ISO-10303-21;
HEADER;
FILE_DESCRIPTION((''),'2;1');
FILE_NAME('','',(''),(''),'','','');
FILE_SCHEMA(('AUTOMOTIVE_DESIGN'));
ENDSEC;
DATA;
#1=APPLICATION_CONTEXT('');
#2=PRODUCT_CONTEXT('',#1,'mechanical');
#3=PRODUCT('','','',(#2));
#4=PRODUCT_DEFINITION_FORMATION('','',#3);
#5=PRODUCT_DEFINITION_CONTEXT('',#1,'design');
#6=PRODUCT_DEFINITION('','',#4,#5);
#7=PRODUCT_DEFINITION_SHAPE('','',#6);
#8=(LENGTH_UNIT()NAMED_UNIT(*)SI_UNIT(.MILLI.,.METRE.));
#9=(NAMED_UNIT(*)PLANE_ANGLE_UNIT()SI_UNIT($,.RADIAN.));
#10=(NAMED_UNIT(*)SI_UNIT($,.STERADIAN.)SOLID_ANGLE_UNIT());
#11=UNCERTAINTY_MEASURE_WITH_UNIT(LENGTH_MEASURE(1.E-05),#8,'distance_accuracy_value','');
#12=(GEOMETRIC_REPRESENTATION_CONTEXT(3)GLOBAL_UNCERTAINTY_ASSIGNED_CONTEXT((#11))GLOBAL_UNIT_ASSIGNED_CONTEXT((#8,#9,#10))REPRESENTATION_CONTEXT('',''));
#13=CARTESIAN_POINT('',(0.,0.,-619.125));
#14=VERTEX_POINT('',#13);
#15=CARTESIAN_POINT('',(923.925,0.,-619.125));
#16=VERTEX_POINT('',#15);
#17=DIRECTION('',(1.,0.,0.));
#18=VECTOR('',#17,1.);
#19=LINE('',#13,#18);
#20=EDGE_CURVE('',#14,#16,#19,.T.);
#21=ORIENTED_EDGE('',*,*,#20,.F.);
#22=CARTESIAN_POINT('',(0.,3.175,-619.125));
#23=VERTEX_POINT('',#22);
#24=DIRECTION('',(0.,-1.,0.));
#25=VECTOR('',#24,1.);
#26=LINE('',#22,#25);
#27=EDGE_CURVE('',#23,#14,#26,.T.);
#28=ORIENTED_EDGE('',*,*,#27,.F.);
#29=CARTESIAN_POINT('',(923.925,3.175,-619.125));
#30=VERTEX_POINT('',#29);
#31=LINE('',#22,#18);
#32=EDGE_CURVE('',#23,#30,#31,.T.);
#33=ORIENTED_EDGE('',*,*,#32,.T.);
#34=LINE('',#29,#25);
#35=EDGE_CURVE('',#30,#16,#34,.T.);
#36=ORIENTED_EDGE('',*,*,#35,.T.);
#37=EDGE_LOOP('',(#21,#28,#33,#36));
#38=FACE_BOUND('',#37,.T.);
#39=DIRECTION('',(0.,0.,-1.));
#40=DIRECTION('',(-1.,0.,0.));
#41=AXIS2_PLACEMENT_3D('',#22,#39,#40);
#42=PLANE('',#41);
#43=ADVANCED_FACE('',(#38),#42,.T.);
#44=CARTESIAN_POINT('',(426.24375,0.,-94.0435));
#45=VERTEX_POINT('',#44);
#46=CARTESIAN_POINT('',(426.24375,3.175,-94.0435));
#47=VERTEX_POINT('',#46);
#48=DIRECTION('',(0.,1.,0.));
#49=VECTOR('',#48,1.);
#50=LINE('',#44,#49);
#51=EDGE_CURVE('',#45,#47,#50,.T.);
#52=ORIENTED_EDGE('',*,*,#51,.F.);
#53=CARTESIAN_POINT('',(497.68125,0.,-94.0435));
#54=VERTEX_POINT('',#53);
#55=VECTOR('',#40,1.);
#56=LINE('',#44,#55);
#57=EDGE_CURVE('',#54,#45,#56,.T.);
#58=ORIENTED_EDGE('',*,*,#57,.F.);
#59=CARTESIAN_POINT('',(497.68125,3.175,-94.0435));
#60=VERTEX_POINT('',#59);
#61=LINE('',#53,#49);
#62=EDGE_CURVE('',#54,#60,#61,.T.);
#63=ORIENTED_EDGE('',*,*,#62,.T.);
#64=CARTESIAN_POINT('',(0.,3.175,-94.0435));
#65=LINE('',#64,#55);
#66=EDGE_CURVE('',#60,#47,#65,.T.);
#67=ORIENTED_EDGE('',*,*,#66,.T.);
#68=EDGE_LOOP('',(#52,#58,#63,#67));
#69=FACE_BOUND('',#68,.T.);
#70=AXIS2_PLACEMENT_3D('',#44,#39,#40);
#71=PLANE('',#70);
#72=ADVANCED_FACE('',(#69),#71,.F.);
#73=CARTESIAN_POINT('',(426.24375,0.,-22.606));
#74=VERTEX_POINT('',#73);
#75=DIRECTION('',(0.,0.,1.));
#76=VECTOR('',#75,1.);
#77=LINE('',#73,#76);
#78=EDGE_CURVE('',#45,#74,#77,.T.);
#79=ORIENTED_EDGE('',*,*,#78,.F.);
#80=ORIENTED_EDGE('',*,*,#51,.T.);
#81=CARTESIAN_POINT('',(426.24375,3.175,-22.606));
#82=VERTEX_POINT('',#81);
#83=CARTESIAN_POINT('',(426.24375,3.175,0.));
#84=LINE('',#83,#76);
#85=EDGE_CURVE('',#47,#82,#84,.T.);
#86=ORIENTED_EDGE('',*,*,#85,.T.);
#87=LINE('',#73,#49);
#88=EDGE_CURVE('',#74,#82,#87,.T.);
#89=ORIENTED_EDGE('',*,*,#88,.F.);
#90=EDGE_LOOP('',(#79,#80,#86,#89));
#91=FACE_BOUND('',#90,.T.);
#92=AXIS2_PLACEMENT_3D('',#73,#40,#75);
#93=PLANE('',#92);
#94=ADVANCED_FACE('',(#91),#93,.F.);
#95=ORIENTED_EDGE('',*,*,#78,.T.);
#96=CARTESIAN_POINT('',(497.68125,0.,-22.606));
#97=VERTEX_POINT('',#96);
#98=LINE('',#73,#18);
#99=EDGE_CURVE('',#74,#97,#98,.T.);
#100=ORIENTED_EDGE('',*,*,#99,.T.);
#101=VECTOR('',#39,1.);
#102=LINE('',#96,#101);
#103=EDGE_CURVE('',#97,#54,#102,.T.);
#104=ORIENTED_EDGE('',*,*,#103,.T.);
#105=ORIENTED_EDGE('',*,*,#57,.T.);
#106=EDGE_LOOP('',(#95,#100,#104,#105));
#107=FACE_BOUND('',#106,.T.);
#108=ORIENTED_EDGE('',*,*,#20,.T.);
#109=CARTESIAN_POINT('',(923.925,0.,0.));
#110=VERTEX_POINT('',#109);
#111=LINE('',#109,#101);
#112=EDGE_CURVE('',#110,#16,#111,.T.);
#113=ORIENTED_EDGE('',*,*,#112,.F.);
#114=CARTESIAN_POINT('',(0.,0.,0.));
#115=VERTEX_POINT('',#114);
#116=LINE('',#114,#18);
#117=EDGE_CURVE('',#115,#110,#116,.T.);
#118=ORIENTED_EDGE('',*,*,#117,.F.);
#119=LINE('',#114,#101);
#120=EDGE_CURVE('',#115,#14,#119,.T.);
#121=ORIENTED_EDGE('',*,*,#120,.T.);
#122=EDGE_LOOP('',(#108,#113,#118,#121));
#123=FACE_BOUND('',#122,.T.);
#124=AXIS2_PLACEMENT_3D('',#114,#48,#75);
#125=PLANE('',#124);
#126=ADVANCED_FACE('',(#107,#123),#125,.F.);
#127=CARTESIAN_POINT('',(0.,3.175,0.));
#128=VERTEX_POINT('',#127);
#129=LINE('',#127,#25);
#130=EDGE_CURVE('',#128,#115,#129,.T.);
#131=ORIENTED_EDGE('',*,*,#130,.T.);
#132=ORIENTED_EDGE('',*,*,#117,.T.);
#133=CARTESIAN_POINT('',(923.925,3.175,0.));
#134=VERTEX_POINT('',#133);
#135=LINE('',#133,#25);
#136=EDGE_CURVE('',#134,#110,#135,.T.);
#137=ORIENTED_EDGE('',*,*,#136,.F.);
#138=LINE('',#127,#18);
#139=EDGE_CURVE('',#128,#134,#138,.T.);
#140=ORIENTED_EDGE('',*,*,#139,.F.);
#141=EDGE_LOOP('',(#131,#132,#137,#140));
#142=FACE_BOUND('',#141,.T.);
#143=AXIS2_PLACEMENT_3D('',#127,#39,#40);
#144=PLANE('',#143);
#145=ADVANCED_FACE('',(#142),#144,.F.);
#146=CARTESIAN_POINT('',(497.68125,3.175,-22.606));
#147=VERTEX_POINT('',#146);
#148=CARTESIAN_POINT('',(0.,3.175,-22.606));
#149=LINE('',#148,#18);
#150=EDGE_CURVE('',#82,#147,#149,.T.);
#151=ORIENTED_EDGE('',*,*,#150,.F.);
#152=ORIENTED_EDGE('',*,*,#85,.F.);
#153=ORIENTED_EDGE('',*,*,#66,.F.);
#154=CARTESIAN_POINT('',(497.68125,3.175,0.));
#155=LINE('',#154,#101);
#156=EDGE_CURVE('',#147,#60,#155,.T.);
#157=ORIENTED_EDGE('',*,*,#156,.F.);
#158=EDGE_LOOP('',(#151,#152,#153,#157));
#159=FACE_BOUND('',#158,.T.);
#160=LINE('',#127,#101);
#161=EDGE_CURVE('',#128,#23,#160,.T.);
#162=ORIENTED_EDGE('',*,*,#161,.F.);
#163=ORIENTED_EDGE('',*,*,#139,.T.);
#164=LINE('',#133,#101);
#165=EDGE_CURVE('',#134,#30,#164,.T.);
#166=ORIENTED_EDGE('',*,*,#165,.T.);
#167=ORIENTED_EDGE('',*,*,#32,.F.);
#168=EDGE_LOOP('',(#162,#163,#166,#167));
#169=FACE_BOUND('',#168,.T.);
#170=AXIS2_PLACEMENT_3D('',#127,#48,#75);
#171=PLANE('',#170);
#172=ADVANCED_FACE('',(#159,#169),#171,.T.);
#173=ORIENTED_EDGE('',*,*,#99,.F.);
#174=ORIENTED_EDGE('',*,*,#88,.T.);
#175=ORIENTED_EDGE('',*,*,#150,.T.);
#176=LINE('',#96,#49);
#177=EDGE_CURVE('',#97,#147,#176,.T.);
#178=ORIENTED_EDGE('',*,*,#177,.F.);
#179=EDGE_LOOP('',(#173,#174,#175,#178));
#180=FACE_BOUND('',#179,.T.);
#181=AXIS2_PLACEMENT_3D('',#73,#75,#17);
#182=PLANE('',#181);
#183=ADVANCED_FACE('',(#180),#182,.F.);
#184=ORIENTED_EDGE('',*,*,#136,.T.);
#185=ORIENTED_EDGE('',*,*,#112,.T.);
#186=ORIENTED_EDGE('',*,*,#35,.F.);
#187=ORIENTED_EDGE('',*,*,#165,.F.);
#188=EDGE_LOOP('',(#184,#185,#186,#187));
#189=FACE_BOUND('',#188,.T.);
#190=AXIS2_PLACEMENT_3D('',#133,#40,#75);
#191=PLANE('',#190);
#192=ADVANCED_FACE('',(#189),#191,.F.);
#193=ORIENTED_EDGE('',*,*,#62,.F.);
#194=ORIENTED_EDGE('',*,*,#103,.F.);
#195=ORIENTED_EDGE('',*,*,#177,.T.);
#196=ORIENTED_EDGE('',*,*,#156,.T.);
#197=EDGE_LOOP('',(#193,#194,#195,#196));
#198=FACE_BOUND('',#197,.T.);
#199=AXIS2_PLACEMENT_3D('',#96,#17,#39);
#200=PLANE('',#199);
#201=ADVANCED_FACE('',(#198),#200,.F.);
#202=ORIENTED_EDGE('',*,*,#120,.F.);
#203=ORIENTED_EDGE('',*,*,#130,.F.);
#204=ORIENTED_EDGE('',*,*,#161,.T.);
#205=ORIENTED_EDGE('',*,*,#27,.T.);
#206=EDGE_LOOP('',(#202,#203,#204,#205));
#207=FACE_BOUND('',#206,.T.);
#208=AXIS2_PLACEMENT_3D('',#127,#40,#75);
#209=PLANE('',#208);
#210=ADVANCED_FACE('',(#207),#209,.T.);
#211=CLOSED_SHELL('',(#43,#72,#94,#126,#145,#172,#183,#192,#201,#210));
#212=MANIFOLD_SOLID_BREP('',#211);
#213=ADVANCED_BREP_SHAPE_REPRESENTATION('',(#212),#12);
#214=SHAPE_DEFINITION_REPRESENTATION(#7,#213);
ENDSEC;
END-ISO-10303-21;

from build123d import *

# Parameters (mm, degrees)
SKETCH1_W               = 923.925
SKETCH1_H               = 619.125
BOSS_EXTRUDE1_DEPTH     = 3.175
SKETCH2_W               = 71.4375
SKETCH2_H               = 71.4375
CUT_EXTRUDE1_DEPTH      = 1
CUT_EXTRUDE1_DEPTH_BACK = 4.175


with BuildPart() as part:
    # Sketch1 → Boss-Extrude1 (new body)
    with BuildSketch(Plane(origin=(0, 0, 0), x_dir=(1, 0, 0), z_dir=(0, 1, 0))):
        with Locations((461.9625, 309.5625)):
            Rectangle(SKETCH1_W, SKETCH1_H)
    extrude(amount=BOSS_EXTRUDE1_DEPTH)

    # Sketch2 → Cut-Extrude1 (cut, two sides)
    with BuildSketch(Plane(origin=(0, 3.175, 0), x_dir=(1, 0, 0), z_dir=(0, 1, 0))) as cut_extrude1_sk:
        with Locations((461.9625, 58.32475)):
            Rectangle(SKETCH2_W, SKETCH2_H)
    extrude(amount=CUT_EXTRUDE1_DEPTH, mode=Mode.SUBTRACT)
    extrude(cut_extrude1_sk.sketch, amount=-CUT_EXTRUDE1_DEPTH_BACK, mode=Mode.SUBTRACT)


solid = part.part
